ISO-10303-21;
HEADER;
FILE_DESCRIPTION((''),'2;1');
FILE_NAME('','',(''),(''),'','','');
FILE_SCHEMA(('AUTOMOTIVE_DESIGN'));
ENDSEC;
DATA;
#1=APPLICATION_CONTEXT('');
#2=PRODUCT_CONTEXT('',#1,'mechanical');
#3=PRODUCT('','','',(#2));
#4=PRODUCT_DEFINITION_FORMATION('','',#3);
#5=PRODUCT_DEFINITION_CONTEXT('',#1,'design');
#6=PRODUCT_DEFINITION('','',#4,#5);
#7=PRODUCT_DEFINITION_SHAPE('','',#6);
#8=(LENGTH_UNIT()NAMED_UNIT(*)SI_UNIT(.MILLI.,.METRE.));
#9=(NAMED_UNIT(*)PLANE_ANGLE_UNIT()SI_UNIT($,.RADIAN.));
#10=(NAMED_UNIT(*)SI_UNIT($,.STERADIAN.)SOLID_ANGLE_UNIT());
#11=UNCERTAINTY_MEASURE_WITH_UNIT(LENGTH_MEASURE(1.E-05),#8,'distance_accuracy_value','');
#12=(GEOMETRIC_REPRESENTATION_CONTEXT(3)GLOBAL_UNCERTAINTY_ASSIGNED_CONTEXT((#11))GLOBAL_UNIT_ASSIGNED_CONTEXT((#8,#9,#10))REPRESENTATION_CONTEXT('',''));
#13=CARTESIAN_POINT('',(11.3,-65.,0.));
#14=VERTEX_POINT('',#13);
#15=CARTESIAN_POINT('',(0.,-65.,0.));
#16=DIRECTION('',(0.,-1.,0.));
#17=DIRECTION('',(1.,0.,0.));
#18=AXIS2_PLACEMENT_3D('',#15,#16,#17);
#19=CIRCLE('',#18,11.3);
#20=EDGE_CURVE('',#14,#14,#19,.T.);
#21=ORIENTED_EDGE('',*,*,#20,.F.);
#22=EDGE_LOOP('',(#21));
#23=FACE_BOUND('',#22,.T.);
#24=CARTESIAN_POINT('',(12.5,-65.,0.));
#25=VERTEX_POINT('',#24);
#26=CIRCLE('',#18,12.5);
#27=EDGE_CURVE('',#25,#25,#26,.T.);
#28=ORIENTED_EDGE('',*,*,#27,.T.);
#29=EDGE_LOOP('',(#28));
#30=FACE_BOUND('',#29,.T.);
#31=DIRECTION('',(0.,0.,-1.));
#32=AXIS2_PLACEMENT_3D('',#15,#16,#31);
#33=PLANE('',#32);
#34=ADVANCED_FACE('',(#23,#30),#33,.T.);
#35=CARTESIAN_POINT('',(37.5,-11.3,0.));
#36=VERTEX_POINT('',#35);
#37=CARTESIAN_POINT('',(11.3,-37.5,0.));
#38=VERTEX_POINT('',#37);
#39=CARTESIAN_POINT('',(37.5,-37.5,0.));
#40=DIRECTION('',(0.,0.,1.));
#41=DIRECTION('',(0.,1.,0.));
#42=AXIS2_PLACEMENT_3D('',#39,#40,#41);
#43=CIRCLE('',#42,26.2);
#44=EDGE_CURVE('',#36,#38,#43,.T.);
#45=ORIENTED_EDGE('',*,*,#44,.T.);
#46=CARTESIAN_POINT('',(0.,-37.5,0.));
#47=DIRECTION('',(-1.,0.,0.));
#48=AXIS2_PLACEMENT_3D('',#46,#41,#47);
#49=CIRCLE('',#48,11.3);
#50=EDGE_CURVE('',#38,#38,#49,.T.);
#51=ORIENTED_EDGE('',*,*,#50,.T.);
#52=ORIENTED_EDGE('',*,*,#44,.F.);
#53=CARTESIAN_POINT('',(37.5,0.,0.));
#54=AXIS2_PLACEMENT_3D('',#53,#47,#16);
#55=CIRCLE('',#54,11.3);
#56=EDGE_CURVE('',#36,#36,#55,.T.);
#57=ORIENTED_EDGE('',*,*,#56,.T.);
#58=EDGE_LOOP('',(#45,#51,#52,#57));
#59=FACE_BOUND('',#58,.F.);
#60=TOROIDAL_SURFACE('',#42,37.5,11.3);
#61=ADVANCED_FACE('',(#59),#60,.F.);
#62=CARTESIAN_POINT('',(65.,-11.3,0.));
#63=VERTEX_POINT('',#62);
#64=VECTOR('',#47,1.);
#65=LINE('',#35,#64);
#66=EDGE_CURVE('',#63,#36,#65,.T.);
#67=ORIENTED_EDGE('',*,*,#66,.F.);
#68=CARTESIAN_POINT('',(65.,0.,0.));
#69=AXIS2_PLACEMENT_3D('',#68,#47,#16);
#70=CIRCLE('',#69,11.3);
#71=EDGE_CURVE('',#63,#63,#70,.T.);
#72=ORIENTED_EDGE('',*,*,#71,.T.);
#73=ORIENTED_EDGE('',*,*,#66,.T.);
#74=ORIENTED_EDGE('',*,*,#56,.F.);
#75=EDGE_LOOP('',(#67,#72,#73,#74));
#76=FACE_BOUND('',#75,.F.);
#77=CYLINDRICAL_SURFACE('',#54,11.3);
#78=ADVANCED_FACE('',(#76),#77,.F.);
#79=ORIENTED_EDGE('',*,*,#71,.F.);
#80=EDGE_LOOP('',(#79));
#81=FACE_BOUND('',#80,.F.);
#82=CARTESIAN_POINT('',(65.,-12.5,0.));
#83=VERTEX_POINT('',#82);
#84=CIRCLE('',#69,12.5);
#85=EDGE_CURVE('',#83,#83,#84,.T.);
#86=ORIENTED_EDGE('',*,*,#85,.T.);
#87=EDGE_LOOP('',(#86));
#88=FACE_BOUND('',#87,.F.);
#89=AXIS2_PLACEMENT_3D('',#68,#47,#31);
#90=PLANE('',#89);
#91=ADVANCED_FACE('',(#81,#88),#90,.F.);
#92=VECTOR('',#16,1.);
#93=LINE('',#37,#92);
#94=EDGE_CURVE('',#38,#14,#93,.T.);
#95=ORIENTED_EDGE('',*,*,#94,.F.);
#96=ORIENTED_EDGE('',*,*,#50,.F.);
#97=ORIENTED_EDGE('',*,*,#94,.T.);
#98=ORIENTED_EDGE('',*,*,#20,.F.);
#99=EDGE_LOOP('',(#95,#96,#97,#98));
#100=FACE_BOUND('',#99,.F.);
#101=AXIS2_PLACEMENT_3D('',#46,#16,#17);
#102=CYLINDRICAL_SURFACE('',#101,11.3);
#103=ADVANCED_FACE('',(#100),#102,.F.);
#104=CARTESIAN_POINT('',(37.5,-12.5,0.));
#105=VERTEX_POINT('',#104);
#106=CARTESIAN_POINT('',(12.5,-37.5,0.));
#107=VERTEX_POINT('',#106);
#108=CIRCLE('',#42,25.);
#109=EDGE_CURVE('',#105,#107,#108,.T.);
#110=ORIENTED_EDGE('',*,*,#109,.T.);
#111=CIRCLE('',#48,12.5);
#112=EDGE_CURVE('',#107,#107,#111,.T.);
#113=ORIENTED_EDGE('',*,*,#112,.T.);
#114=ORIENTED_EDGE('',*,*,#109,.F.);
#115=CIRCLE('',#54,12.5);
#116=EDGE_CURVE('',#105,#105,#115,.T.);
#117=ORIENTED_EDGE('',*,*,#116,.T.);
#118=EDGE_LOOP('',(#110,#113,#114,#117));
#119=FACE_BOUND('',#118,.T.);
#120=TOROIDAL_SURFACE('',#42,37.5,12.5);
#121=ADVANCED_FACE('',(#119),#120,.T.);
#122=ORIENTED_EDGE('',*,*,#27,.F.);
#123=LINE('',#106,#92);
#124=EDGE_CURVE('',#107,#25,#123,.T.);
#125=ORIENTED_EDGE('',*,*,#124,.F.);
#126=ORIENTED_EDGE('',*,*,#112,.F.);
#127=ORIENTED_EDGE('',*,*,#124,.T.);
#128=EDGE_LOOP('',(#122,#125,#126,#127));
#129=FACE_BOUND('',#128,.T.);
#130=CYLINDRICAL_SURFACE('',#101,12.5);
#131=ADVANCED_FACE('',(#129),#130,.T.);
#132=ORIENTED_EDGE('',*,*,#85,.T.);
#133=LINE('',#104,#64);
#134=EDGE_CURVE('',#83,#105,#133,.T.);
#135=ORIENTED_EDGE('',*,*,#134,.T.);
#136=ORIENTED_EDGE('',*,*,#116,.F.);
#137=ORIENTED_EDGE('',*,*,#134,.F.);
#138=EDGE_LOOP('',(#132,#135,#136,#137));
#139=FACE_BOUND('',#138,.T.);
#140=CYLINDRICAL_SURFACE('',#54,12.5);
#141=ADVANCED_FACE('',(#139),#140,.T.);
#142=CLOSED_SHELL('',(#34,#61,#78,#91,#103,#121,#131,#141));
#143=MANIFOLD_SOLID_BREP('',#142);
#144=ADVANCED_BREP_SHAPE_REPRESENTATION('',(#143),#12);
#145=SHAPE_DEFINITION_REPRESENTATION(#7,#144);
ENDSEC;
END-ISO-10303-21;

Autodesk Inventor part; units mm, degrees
ref_plane "YZ Plane" through (0, 0, 0) normal (1, 0, 0) x (0, 1, 0)
ref_plane "XZ Plane" through (0, 0, 0) normal (0, 1, 0) x (-1, 0, 0)
sketch "Szkic6" plane through (0, 0, 0) normal (0, 0, 1) x (1, 0, 0)
  line L0 (-29.6067, 0) -> (35.2678, 0) construction
  line L1 (0, 42.3419) -> (0, -58.3726) construction
  arc A0 (37.5, 0) -> (0, -37.5) centre (37.5, -37.5) ccw
  line L2 (0, -37.5) -> (37.5, -37.5) construction
  line L3 (37.5, -37.5) -> (37.5, 28.0331) construction
  line L4 (37.5, 0) -> (65, 0)
  line L5 (0, -37.5) -> (0, -65)
  point P0 (0, 0)
  dimension "d24" = 37.5
  dimension "d31" = 90
  dimension "d36" = 27.5
  dimension "d37" = 27.5
ref_plane "Płaszczyzna konstrukcyjna2" through (0, -37.5, 0) normal (0, -1, 0) x (1, 0, 0)
sketch "Szkic8" plane through (0, -37.5, 0) normal (0, -1, 0) x (1, 0, 0)
  circle A0 centre (0, 0) radius 12.5
  circle A1 centre (0, 0) radius 11.3
  dimension "d32" = 25
  dimension "d33" = 1.2
sweep "Przeciągnięcie2" add profiles "Szkic8" path "Szkic6"
equation "\"d32\" = OD"
equation "\"d33\" = THK"
equation "\"d24\" = R"
equation "\"d31\" = KAT"
equation "\"d36\" = PROSTKA"
equation "\"d37\" = PROSTKA"
equation "\"SzerokośćGięciaPodcięcia\" = Grubość"
equation "\"RozmiarPodcięciaNarożnika\" = 4 * Grubość"
equation "\"PromieńPrzejścia\" = PromieńGięcia"
equation "\"Rozmiar_promienia_Jacobiego\" = PromieńGięcia"
equation "\"Wielk_odstępu\" = Grubość"
equation "\"d2\" = PromieńGięcia"
equation "\"d23\" = PromieńGięcia"
equation "\"R\" = 37.5"
equation "\"OD\" = 25"
equation "\"THK\" = 1.2"
equation "\"KAT\" = 90deg"
equation "\"PROSTKA\" = 27.5"
equation "\"Grubość\" = 1.5"
equation "\"PromieńGięcia\" = 3"
properties part number "Kolano 90° ø25x1,2 R37,5" material "304L"
